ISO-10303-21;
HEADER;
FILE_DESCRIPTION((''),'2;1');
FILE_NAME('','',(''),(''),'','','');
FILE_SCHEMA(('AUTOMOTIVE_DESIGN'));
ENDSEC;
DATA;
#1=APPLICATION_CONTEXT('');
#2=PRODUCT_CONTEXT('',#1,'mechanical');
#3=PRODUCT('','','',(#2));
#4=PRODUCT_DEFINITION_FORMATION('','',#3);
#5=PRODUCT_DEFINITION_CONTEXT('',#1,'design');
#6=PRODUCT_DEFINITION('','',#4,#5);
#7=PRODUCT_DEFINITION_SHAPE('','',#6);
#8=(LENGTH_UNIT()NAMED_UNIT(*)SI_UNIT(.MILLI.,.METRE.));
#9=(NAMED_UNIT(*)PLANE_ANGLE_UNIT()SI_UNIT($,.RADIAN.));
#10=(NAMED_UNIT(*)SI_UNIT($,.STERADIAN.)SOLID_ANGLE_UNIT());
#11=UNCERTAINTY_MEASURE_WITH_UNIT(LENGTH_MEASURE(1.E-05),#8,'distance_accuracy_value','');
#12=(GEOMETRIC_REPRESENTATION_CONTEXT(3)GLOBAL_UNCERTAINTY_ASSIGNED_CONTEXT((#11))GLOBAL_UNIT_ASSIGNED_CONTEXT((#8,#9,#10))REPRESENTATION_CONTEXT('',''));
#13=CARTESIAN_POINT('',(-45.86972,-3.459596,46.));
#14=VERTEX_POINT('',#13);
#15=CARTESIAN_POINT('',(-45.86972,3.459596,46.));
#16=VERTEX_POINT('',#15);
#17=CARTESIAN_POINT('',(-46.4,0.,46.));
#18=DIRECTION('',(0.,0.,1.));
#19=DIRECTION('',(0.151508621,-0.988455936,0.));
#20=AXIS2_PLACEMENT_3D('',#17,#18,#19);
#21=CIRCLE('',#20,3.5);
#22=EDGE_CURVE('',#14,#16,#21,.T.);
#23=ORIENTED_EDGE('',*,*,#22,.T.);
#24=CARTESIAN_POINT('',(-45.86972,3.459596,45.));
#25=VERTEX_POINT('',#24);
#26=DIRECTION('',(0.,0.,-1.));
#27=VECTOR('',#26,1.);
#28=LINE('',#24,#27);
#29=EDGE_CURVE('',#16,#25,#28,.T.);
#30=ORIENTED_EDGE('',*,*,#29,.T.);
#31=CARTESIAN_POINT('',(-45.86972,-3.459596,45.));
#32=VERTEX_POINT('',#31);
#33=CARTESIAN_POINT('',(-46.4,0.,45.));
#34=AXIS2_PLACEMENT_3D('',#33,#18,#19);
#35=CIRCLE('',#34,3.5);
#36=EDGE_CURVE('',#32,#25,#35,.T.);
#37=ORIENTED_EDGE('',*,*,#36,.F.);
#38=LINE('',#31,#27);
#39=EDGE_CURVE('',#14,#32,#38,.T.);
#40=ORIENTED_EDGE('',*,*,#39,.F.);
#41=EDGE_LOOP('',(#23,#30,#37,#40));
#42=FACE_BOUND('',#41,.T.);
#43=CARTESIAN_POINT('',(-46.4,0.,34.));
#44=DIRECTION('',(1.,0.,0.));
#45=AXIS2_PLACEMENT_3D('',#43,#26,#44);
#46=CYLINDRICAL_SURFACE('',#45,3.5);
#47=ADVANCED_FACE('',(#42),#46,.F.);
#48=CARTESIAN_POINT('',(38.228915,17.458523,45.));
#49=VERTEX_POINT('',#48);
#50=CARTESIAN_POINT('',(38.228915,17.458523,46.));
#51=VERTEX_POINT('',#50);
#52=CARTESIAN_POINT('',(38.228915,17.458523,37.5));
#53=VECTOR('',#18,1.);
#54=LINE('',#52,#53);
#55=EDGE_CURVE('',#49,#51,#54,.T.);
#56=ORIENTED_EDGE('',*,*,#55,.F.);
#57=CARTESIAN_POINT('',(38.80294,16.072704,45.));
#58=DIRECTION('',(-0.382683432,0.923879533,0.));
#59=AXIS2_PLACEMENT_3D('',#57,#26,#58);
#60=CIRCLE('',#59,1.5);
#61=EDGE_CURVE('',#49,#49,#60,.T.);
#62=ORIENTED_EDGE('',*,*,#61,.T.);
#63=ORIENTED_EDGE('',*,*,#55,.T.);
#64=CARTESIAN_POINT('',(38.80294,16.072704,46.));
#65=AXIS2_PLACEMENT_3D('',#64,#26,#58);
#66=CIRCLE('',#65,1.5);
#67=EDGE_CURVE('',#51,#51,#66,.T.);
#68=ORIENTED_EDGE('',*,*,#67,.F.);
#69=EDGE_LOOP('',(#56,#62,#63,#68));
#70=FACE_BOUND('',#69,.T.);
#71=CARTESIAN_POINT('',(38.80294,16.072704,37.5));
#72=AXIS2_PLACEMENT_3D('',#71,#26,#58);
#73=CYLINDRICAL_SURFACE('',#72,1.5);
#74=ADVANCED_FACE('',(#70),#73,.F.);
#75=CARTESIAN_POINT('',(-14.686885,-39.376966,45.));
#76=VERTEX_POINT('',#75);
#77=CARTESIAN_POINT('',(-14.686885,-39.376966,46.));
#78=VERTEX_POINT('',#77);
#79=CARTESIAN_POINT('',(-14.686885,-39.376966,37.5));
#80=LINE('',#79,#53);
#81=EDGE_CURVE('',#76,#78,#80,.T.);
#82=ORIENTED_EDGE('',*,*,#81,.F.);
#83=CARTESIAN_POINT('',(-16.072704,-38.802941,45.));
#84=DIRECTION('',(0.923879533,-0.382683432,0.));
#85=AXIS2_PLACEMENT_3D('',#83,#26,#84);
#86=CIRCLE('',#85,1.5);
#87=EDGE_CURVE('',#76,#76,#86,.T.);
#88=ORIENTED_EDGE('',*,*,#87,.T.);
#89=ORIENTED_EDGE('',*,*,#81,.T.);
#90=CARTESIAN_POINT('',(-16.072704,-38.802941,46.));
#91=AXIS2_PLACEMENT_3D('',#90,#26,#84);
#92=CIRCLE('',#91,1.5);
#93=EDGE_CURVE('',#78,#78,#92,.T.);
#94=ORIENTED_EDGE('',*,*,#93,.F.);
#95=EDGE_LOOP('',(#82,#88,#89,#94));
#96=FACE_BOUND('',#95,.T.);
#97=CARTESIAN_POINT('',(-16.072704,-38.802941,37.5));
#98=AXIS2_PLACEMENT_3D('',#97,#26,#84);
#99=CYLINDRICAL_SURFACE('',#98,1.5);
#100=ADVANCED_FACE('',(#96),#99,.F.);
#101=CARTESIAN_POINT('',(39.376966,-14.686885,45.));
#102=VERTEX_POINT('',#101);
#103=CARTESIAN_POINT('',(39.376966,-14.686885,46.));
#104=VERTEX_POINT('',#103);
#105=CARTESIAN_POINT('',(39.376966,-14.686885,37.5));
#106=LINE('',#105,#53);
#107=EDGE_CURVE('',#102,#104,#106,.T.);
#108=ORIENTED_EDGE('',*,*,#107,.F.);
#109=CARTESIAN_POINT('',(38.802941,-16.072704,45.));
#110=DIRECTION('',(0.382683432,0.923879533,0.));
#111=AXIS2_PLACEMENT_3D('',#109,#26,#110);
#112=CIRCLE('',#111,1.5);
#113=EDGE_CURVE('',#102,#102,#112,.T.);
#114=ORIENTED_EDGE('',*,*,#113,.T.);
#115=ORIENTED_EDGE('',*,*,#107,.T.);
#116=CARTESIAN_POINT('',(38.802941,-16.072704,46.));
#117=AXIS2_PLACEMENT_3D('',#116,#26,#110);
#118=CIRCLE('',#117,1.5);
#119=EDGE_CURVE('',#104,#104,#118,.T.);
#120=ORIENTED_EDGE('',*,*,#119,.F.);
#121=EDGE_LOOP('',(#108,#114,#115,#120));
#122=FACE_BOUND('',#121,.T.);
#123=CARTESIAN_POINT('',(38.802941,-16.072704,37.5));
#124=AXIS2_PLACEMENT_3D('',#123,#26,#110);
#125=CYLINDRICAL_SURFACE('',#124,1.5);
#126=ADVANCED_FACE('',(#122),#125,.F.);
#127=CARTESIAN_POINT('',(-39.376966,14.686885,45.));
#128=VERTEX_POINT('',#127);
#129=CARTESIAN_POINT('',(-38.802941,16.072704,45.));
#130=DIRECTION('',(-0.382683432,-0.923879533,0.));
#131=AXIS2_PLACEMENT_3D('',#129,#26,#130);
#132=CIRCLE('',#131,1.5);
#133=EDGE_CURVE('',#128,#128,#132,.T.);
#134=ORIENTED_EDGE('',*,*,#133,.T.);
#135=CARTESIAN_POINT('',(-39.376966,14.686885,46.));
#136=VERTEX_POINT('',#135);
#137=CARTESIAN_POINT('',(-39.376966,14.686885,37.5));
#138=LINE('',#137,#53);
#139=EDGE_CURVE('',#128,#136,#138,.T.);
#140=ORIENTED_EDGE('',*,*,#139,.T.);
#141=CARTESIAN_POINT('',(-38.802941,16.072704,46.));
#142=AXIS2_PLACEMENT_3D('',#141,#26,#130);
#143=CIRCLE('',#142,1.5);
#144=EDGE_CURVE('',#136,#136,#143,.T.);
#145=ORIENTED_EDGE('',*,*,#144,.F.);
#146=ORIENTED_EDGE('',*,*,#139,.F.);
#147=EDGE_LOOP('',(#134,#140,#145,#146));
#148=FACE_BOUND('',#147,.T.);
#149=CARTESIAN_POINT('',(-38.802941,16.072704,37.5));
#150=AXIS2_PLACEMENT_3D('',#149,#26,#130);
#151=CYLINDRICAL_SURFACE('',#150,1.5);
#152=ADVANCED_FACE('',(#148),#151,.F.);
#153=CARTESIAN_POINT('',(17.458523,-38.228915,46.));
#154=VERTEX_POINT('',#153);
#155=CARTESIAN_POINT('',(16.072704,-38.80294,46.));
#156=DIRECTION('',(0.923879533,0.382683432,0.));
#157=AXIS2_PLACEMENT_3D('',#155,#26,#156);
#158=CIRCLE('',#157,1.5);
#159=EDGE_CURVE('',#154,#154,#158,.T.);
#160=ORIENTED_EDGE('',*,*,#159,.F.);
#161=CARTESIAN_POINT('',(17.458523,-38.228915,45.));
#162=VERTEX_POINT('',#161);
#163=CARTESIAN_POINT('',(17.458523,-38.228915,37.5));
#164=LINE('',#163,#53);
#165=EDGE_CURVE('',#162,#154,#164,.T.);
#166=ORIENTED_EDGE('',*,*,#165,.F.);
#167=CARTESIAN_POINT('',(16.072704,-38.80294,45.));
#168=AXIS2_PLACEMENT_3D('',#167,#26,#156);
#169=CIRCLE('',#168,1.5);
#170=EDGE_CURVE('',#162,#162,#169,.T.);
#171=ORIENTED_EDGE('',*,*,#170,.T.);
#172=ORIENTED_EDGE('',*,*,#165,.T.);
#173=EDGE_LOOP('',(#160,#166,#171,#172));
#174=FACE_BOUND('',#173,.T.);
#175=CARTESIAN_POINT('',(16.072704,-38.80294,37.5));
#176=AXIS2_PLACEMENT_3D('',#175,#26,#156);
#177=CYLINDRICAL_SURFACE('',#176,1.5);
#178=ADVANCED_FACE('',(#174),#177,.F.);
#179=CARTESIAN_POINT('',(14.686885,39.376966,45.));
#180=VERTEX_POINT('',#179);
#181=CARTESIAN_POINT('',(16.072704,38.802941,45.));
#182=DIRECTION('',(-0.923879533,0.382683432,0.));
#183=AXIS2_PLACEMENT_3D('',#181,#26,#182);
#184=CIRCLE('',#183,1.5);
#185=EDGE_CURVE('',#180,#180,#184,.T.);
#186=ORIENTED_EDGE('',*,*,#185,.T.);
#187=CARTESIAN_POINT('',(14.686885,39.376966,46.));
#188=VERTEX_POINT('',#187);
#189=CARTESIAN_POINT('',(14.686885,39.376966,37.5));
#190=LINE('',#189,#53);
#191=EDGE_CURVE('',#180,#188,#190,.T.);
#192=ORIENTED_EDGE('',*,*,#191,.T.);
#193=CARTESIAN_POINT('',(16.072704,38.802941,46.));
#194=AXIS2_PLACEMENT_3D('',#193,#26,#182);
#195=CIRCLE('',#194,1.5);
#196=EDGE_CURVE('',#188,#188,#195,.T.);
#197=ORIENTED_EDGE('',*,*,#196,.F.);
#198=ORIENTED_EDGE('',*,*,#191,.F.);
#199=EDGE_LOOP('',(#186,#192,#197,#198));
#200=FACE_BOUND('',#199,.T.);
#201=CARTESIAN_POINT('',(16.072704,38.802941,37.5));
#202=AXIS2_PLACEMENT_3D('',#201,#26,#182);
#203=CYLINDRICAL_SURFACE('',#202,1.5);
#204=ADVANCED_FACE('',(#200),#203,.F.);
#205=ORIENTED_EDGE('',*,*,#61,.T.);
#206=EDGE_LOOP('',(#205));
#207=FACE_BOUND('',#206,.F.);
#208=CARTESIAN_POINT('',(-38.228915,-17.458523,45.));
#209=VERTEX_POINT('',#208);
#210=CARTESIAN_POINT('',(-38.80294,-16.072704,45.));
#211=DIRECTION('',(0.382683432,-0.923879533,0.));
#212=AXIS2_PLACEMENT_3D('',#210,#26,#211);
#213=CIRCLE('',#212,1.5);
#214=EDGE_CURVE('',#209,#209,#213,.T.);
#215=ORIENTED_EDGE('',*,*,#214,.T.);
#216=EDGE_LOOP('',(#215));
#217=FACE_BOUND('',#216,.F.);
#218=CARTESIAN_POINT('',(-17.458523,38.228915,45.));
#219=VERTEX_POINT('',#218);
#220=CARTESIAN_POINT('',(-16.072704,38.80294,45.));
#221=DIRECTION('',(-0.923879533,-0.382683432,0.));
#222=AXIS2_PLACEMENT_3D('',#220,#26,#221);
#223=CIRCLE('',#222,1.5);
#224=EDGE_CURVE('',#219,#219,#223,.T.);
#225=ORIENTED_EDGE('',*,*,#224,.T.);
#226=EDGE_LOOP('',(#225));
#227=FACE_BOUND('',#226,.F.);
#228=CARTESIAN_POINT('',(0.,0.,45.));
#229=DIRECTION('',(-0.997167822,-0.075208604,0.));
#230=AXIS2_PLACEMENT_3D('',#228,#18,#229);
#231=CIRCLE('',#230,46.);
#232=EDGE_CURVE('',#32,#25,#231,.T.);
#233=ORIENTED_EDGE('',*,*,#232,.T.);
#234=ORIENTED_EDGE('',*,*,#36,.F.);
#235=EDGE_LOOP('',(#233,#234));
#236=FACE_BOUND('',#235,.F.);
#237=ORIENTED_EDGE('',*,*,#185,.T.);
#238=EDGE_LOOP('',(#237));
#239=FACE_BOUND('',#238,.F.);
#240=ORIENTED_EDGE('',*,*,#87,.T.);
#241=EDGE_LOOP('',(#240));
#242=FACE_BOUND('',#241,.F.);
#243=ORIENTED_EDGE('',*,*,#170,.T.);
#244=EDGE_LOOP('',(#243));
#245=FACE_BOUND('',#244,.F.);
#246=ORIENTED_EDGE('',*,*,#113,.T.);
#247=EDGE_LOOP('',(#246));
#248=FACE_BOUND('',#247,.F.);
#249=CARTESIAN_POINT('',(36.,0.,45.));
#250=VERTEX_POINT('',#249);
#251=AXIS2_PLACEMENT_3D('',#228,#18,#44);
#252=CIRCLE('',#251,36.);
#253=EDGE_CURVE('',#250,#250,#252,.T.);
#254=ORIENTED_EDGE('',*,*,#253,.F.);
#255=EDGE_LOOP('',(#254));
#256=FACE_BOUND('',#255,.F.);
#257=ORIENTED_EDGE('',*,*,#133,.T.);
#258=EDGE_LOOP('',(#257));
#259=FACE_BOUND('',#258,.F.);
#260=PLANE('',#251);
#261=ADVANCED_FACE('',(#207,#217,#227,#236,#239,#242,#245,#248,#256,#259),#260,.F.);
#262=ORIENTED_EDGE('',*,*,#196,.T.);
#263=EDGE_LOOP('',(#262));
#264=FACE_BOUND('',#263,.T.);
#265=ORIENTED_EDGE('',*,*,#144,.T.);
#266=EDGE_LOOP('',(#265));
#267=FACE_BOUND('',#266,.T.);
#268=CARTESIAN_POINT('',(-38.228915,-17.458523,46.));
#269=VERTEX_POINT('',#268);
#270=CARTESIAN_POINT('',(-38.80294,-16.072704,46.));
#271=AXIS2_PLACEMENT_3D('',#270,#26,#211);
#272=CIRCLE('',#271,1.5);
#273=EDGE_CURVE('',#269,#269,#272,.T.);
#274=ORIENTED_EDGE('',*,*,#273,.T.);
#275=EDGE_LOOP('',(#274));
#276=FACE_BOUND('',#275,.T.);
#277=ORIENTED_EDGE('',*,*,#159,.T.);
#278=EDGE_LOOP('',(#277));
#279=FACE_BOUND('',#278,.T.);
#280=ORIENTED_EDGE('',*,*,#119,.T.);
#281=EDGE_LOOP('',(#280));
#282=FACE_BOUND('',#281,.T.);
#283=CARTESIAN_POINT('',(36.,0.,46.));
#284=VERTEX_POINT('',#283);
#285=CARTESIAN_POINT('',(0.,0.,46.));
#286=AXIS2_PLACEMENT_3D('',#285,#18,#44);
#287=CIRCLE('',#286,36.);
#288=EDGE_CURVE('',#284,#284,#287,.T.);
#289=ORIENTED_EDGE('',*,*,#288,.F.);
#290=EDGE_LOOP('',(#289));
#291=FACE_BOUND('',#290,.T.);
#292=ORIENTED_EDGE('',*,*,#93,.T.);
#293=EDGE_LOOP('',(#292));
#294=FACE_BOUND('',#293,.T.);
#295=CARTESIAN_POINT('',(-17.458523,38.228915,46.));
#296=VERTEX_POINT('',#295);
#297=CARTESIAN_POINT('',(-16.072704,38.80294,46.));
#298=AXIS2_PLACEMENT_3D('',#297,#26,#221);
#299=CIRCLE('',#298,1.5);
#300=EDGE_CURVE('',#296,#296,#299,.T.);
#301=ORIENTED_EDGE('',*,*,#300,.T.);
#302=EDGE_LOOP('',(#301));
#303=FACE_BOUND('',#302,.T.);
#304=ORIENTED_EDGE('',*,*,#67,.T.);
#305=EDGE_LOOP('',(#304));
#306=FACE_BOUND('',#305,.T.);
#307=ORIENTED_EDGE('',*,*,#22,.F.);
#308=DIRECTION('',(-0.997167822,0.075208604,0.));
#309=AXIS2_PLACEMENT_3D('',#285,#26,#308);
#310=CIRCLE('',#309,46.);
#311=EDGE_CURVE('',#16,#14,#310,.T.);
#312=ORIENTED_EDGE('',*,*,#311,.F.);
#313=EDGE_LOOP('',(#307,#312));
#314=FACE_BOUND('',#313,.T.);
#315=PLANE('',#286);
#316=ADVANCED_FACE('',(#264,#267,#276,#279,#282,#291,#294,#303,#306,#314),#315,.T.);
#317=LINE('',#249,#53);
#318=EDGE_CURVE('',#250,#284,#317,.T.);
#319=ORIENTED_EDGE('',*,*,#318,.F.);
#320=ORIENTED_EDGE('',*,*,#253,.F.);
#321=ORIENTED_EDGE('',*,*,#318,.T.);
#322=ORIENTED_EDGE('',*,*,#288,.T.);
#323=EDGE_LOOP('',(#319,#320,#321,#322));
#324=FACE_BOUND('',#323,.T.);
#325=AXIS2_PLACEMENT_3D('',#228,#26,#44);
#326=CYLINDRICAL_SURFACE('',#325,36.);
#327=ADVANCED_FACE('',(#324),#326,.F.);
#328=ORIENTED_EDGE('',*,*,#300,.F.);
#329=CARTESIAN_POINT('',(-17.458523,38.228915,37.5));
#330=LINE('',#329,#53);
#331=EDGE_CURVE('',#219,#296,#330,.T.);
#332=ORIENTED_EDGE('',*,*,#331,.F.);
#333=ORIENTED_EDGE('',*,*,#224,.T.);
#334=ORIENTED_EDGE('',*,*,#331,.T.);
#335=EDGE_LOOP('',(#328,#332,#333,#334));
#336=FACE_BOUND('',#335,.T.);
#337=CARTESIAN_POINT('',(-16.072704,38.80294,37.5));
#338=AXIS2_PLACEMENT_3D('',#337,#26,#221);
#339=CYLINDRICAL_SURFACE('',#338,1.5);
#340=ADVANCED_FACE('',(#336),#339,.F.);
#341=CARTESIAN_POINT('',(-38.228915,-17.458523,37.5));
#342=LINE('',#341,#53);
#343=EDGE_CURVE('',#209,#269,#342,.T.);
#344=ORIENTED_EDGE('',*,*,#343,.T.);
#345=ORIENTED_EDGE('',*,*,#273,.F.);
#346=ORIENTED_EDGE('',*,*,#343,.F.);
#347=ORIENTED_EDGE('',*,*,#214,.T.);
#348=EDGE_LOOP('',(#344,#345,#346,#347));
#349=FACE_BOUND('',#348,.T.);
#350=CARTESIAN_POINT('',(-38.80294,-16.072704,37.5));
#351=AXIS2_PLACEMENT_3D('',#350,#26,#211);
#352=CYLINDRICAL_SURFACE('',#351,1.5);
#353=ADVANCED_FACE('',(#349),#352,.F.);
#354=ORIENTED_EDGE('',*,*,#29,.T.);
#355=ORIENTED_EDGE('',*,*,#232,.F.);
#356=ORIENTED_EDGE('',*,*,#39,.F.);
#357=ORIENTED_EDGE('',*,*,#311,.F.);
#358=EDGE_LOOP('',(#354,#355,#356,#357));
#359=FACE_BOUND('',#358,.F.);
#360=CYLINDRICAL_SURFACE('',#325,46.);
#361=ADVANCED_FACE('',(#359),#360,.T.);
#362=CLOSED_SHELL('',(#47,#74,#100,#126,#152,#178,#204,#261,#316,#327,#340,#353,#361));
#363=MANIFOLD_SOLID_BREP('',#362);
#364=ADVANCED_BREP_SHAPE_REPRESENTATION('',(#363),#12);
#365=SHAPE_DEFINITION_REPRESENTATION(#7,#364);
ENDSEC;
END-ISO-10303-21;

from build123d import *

# Parameters (mm, degrees)
BOX433_W                     = 6
BOX433_H                     = 8
BOX433_DEPTH                 = 2
BOX433_PLACEMENT_ANGLE       = 45
BOX435_W                     = 6
BOX435_H                     = 8
BOX435_DEPTH                 = 2
BOX426_W                     = 6
BOX426_H                     = 8
BOX426_DEPTH                 = 2
BOX438_W                     = 6
BOX438_H                     = 8
BOX438_DEPTH                 = 2
BOX438_PLACEMENT_ANGLE       = 135
BOX436_W                     = 6
BOX436_H                     = 8
BOX436_DEPTH                 = 2
BOX440_W                     = 6
BOX440_H                     = 8
BOX440_DEPTH                 = 2
BOX440_PLACEMENT_ANGLE       = 225
BOX429_W                     = 6
BOX429_H                     = 8
BOX429_DEPTH                 = 2
BOX439_W                     = 6
BOX439_H                     = 8
BOX439_DEPTH                 = 2
BOX439_PLACEMENT_ANGLE       = 45
COMPOUND873_PLACEMENT_ANGLE  = 22.5
CYLINDER1120_R               = 1.5
CYLINDER1120_DEPTH           = 12
CYLINDER1120_PLACEMENT_ANGLE = 45
CYLINDER1128_R               = 1.5
CYLINDER1128_DEPTH           = 12
CYLINDER1126_R               = 1.5
CYLINDER1126_DEPTH           = 12
CYLINDER1126_PLACEMENT_ANGLE = 135
CYLINDER1125_R               = 1.5
CYLINDER1125_DEPTH           = 12
CYLINDER1127_R               = 1.5
CYLINDER1127_DEPTH           = 12
CYLINDER1127_PLACEMENT_ANGLE = 225
CYLINDER1124_R               = 1.5
CYLINDER1124_DEPTH           = 12
CYLINDER1119_R               = 1.5
CYLINDER1119_DEPTH           = 12
CYLINDER1119_PLACEMENT_ANGLE = 45
CYLINDER1122_R               = 1.5
CYLINDER1122_DEPTH           = 12
COMPOUND874_PLACEMENT_ANGLE  = 22.5
CYLINDER1117_R               = 3.5
CYLINDER1117_DEPTH           = 20
TUBE101_R                    = 46
TUBE101_R_2                  = 36
TUBE101_DEPTH                = 1


with BuildPart() as krychle433:
    # Box433 → Box433 (new body)
    with BuildSketch(Plane.XY):
        with Locations((3, 4)):
            Rectangle(BOX433_W, BOX433_H)
    extrude(amount=BOX433_DEPTH)


with BuildPart() as krychle433_1:
    # Box433 placement: moved
    add(krychle433.part.moved(Location((30.405592, -34.648232, 33))).rotate(Axis((30.405592, -34.648232, 33), (0, 0, 1)), BOX433_PLACEMENT_ANGLE))


with BuildPart() as krychle435:
    # Box435 → Box435 (new body)
    with BuildSketch(Plane(origin=(46, -3, 33), x_dir=(0, 1, 0), z_dir=(0, 0, 1))):
        with Locations((3, 4)):
            Rectangle(BOX435_W, BOX435_H)
    extrude(amount=BOX435_DEPTH)


with BuildPart() as krychle426:
    # Box426 → Box426 (new body)
    with BuildSketch(Plane(origin=(-3, -46, 33), x_dir=(1, 0, 0), z_dir=(0, 0, 1))):
        with Locations((3, 4)):
            Rectangle(BOX426_W, BOX426_H)
    extrude(amount=BOX426_DEPTH)


with BuildPart() as krychle438:
    # Box438 → Box438 (new body)
    with BuildSketch(Plane.XY):
        with Locations((3, 4)):
            Rectangle(BOX438_W, BOX438_H)
    extrude(amount=BOX438_DEPTH)


with BuildPart() as krychle438_1:
    # Box438 placement: moved
    add(krychle438.part.moved(Location((34.648232, 30.405592, 33))).rotate(Axis((34.648232, 30.405592, 33), (0, 0, 1)), BOX438_PLACEMENT_ANGLE))


with BuildPart() as krychle436:
    # Box436 → Box436 (new body)
    with BuildSketch(Plane(origin=(3, 46, 33), x_dir=(-1, 0, 0), z_dir=(0, 0, 1))):
        with Locations((3, 4)):
            Rectangle(BOX436_W, BOX436_H)
    extrude(amount=BOX436_DEPTH)


with BuildPart() as krychle440:
    # Box440 → Box440 (new body)
    with BuildSketch(Plane.XY):
        with Locations((3, 4)):
            Rectangle(BOX440_W, BOX440_H)
    extrude(amount=BOX440_DEPTH)


with BuildPart() as krychle440_1:
    # Box440 placement: moved
    add(krychle440.part.moved(Location((-30.405592, 34.648232, 33))).rotate(Axis((-30.405592, 34.648232, 33), (0, 0, 1)), BOX440_PLACEMENT_ANGLE))


with BuildPart() as krychle429:
    # Box429 → Box429 (new body)
    with BuildSketch(Plane(origin=(-46, 3, 33), x_dir=(0, -1, 0), z_dir=(0, 0, 1))):
        with Locations((3, 4)):
            Rectangle(BOX429_W, BOX429_H)
    extrude(amount=BOX429_DEPTH)


with BuildPart() as compound873:
    # Box439 → Box439 (new body)
    with BuildSketch(Plane.XY):
        with Locations((3, 4)):
            Rectangle(BOX439_W, BOX439_H)
    extrude(amount=BOX439_DEPTH)


with BuildPart() as compound873_1:
    # Box439 placement: moved
    add(compound873.part.moved(Location((-34.648232, -30.405592, 33))).rotate(Axis((-34.648232, -30.405592, 33), (0, 0, -1)), BOX439_PLACEMENT_ANGLE))

    # Compound873: union Krychle433, Krychle435, Krychle426, Krychle438, Krychle436, Krychle440, Krychle429
    add(krychle433_1.part)
    add(krychle435.part)
    add(krychle426.part)
    add(krychle438_1.part)
    add(krychle436.part)
    add(krychle440_1.part)
    add(krychle429.part)


with BuildPart() as compound873_2:
    # Compound873 placement: moved
    add(compound873_1.part.moved(Location((0, 0, 7))).rotate(Axis((0, 0, 7), (0, 0, 1)), COMPOUND873_PLACEMENT_ANGLE))


with BuildPart() as v_lec1120:
    # Cylinder1120 → Cylinder1120 (new body)
    with BuildSketch(Plane.XY):
        Circle(CYLINDER1120_R)
    extrude(amount=CYLINDER1120_DEPTH)


with BuildPart() as v_lec1120_1:
    # Cylinder1120 placement: moved
    add(v_lec1120.part.moved(Location((29.698485, -29.698485, 33.5))).rotate(Axis((29.698485, -29.698485, 33.5), (0, 0, 1)), CYLINDER1120_PLACEMENT_ANGLE))


with BuildPart() as v_lec1128:
    # Cylinder1128 → Cylinder1128 (new body)
    with BuildSketch(Plane(origin=(42, 0, 33.5), x_dir=(0, 1, 0), z_dir=(0, 0, 1))):
        Circle(CYLINDER1128_R)
    extrude(amount=CYLINDER1128_DEPTH)


with BuildPart() as v_lec1126:
    # Cylinder1126 → Cylinder1126 (new body)
    with BuildSketch(Plane.XY):
        Circle(CYLINDER1126_R)
    extrude(amount=CYLINDER1126_DEPTH)


with BuildPart() as v_lec1126_1:
    # Cylinder1126 placement: moved
    add(v_lec1126.part.moved(Location((29.698485, 29.698485, 33.5))).rotate(Axis((29.698485, 29.698485, 33.5), (0, 0, 1)), CYLINDER1126_PLACEMENT_ANGLE))


with BuildPart() as v_lec1125:
    # Cylinder1125 → Cylinder1125 (new body)
    with BuildSketch(Plane(origin=(0, 42, 33.5), x_dir=(-1, 0, 0), z_dir=(0, 0, 1))):
        Circle(CYLINDER1125_R)
    extrude(amount=CYLINDER1125_DEPTH)


with BuildPart() as v_lec1127:
    # Cylinder1127 → Cylinder1127 (new body)
    with BuildSketch(Plane.XY):
        Circle(CYLINDER1127_R)
    extrude(amount=CYLINDER1127_DEPTH)


with BuildPart() as v_lec1127_1:
    # Cylinder1127 placement: moved
    add(v_lec1127.part.moved(Location((-29.698485, 29.698485, 33.5))).rotate(Axis((-29.698485, 29.698485, 33.5), (0, 0, 1)), CYLINDER1127_PLACEMENT_ANGLE))


with BuildPart() as v_lec1124:
    # Cylinder1124 → Cylinder1124 (new body)
    with BuildSketch(Plane(origin=(-42, 0, 33.5), x_dir=(0, -1, 0), z_dir=(0, 0, 1))):
        Circle(CYLINDER1124_R)
    extrude(amount=CYLINDER1124_DEPTH)


with BuildPart() as v_lec1119:
    # Cylinder1119 → Cylinder1119 (new body)
    with BuildSketch(Plane.XY):
        Circle(CYLINDER1119_R)
    extrude(amount=CYLINDER1119_DEPTH)


with BuildPart() as v_lec1119_1:
    # Cylinder1119 placement: moved
    add(v_lec1119.part.moved(Location((-29.698485, -29.698485, 33.5))).rotate(Axis((-29.698485, -29.698485, 33.5), (0, 0, -1)), CYLINDER1119_PLACEMENT_ANGLE))


with BuildPart() as compound874:
    # Cylinder1122 → Cylinder1122 (new body)
    with BuildSketch(Plane(origin=(0, -42, 33.5), x_dir=(1, 0, 0), z_dir=(0, 0, 1))):
        Circle(CYLINDER1122_R)
    extrude(amount=CYLINDER1122_DEPTH)

    # Compound874: union Válec1120, Válec1128, Válec1126, Válec1125, Válec1127, Válec1124, Válec1119
    add(v_lec1120_1.part)
    add(v_lec1128.part)
    add(v_lec1126_1.part)
    add(v_lec1125.part)
    add(v_lec1127_1.part)
    add(v_lec1124.part)
    add(v_lec1119_1.part)


with BuildPart() as compound874_1:
    # Compound874 placement: moved
    add(compound874.part.moved(Location((0, 0, 4))).rotate(Axis((0, 0, 4), (0, 0, 1)), COMPOUND874_PLACEMENT_ANGLE))


with BuildPart() as v_lec1117:
    # Cylinder1117 → Cylinder1117 (new body)
    with BuildSketch(Plane(origin=(-46.4, 0, 34), x_dir=(1, 0, 0), z_dir=(0, 0, 1))):
        Circle(CYLINDER1117_R)
    extrude(amount=CYLINDER1117_DEPTH)


with BuildPart() as cut422:
    # Tube101 → Tube101 (new body)
    with BuildSketch(Plane.XY.offset(45)):
        Circle(TUBE101_R)
        Circle(TUBE101_R_2, mode=Mode.SUBTRACT)
    extrude(amount=TUBE101_DEPTH)

    # Cut424: cut Válec1117
    add(v_lec1117.part, mode=Mode.SUBTRACT)

    # Cut425: cut Compound874
    add(compound874_1.part, mode=Mode.SUBTRACT)

    # Cut422: cut Compound873
    add(compound873_2.part, mode=Mode.SUBTRACT)


solid = cut422.part
